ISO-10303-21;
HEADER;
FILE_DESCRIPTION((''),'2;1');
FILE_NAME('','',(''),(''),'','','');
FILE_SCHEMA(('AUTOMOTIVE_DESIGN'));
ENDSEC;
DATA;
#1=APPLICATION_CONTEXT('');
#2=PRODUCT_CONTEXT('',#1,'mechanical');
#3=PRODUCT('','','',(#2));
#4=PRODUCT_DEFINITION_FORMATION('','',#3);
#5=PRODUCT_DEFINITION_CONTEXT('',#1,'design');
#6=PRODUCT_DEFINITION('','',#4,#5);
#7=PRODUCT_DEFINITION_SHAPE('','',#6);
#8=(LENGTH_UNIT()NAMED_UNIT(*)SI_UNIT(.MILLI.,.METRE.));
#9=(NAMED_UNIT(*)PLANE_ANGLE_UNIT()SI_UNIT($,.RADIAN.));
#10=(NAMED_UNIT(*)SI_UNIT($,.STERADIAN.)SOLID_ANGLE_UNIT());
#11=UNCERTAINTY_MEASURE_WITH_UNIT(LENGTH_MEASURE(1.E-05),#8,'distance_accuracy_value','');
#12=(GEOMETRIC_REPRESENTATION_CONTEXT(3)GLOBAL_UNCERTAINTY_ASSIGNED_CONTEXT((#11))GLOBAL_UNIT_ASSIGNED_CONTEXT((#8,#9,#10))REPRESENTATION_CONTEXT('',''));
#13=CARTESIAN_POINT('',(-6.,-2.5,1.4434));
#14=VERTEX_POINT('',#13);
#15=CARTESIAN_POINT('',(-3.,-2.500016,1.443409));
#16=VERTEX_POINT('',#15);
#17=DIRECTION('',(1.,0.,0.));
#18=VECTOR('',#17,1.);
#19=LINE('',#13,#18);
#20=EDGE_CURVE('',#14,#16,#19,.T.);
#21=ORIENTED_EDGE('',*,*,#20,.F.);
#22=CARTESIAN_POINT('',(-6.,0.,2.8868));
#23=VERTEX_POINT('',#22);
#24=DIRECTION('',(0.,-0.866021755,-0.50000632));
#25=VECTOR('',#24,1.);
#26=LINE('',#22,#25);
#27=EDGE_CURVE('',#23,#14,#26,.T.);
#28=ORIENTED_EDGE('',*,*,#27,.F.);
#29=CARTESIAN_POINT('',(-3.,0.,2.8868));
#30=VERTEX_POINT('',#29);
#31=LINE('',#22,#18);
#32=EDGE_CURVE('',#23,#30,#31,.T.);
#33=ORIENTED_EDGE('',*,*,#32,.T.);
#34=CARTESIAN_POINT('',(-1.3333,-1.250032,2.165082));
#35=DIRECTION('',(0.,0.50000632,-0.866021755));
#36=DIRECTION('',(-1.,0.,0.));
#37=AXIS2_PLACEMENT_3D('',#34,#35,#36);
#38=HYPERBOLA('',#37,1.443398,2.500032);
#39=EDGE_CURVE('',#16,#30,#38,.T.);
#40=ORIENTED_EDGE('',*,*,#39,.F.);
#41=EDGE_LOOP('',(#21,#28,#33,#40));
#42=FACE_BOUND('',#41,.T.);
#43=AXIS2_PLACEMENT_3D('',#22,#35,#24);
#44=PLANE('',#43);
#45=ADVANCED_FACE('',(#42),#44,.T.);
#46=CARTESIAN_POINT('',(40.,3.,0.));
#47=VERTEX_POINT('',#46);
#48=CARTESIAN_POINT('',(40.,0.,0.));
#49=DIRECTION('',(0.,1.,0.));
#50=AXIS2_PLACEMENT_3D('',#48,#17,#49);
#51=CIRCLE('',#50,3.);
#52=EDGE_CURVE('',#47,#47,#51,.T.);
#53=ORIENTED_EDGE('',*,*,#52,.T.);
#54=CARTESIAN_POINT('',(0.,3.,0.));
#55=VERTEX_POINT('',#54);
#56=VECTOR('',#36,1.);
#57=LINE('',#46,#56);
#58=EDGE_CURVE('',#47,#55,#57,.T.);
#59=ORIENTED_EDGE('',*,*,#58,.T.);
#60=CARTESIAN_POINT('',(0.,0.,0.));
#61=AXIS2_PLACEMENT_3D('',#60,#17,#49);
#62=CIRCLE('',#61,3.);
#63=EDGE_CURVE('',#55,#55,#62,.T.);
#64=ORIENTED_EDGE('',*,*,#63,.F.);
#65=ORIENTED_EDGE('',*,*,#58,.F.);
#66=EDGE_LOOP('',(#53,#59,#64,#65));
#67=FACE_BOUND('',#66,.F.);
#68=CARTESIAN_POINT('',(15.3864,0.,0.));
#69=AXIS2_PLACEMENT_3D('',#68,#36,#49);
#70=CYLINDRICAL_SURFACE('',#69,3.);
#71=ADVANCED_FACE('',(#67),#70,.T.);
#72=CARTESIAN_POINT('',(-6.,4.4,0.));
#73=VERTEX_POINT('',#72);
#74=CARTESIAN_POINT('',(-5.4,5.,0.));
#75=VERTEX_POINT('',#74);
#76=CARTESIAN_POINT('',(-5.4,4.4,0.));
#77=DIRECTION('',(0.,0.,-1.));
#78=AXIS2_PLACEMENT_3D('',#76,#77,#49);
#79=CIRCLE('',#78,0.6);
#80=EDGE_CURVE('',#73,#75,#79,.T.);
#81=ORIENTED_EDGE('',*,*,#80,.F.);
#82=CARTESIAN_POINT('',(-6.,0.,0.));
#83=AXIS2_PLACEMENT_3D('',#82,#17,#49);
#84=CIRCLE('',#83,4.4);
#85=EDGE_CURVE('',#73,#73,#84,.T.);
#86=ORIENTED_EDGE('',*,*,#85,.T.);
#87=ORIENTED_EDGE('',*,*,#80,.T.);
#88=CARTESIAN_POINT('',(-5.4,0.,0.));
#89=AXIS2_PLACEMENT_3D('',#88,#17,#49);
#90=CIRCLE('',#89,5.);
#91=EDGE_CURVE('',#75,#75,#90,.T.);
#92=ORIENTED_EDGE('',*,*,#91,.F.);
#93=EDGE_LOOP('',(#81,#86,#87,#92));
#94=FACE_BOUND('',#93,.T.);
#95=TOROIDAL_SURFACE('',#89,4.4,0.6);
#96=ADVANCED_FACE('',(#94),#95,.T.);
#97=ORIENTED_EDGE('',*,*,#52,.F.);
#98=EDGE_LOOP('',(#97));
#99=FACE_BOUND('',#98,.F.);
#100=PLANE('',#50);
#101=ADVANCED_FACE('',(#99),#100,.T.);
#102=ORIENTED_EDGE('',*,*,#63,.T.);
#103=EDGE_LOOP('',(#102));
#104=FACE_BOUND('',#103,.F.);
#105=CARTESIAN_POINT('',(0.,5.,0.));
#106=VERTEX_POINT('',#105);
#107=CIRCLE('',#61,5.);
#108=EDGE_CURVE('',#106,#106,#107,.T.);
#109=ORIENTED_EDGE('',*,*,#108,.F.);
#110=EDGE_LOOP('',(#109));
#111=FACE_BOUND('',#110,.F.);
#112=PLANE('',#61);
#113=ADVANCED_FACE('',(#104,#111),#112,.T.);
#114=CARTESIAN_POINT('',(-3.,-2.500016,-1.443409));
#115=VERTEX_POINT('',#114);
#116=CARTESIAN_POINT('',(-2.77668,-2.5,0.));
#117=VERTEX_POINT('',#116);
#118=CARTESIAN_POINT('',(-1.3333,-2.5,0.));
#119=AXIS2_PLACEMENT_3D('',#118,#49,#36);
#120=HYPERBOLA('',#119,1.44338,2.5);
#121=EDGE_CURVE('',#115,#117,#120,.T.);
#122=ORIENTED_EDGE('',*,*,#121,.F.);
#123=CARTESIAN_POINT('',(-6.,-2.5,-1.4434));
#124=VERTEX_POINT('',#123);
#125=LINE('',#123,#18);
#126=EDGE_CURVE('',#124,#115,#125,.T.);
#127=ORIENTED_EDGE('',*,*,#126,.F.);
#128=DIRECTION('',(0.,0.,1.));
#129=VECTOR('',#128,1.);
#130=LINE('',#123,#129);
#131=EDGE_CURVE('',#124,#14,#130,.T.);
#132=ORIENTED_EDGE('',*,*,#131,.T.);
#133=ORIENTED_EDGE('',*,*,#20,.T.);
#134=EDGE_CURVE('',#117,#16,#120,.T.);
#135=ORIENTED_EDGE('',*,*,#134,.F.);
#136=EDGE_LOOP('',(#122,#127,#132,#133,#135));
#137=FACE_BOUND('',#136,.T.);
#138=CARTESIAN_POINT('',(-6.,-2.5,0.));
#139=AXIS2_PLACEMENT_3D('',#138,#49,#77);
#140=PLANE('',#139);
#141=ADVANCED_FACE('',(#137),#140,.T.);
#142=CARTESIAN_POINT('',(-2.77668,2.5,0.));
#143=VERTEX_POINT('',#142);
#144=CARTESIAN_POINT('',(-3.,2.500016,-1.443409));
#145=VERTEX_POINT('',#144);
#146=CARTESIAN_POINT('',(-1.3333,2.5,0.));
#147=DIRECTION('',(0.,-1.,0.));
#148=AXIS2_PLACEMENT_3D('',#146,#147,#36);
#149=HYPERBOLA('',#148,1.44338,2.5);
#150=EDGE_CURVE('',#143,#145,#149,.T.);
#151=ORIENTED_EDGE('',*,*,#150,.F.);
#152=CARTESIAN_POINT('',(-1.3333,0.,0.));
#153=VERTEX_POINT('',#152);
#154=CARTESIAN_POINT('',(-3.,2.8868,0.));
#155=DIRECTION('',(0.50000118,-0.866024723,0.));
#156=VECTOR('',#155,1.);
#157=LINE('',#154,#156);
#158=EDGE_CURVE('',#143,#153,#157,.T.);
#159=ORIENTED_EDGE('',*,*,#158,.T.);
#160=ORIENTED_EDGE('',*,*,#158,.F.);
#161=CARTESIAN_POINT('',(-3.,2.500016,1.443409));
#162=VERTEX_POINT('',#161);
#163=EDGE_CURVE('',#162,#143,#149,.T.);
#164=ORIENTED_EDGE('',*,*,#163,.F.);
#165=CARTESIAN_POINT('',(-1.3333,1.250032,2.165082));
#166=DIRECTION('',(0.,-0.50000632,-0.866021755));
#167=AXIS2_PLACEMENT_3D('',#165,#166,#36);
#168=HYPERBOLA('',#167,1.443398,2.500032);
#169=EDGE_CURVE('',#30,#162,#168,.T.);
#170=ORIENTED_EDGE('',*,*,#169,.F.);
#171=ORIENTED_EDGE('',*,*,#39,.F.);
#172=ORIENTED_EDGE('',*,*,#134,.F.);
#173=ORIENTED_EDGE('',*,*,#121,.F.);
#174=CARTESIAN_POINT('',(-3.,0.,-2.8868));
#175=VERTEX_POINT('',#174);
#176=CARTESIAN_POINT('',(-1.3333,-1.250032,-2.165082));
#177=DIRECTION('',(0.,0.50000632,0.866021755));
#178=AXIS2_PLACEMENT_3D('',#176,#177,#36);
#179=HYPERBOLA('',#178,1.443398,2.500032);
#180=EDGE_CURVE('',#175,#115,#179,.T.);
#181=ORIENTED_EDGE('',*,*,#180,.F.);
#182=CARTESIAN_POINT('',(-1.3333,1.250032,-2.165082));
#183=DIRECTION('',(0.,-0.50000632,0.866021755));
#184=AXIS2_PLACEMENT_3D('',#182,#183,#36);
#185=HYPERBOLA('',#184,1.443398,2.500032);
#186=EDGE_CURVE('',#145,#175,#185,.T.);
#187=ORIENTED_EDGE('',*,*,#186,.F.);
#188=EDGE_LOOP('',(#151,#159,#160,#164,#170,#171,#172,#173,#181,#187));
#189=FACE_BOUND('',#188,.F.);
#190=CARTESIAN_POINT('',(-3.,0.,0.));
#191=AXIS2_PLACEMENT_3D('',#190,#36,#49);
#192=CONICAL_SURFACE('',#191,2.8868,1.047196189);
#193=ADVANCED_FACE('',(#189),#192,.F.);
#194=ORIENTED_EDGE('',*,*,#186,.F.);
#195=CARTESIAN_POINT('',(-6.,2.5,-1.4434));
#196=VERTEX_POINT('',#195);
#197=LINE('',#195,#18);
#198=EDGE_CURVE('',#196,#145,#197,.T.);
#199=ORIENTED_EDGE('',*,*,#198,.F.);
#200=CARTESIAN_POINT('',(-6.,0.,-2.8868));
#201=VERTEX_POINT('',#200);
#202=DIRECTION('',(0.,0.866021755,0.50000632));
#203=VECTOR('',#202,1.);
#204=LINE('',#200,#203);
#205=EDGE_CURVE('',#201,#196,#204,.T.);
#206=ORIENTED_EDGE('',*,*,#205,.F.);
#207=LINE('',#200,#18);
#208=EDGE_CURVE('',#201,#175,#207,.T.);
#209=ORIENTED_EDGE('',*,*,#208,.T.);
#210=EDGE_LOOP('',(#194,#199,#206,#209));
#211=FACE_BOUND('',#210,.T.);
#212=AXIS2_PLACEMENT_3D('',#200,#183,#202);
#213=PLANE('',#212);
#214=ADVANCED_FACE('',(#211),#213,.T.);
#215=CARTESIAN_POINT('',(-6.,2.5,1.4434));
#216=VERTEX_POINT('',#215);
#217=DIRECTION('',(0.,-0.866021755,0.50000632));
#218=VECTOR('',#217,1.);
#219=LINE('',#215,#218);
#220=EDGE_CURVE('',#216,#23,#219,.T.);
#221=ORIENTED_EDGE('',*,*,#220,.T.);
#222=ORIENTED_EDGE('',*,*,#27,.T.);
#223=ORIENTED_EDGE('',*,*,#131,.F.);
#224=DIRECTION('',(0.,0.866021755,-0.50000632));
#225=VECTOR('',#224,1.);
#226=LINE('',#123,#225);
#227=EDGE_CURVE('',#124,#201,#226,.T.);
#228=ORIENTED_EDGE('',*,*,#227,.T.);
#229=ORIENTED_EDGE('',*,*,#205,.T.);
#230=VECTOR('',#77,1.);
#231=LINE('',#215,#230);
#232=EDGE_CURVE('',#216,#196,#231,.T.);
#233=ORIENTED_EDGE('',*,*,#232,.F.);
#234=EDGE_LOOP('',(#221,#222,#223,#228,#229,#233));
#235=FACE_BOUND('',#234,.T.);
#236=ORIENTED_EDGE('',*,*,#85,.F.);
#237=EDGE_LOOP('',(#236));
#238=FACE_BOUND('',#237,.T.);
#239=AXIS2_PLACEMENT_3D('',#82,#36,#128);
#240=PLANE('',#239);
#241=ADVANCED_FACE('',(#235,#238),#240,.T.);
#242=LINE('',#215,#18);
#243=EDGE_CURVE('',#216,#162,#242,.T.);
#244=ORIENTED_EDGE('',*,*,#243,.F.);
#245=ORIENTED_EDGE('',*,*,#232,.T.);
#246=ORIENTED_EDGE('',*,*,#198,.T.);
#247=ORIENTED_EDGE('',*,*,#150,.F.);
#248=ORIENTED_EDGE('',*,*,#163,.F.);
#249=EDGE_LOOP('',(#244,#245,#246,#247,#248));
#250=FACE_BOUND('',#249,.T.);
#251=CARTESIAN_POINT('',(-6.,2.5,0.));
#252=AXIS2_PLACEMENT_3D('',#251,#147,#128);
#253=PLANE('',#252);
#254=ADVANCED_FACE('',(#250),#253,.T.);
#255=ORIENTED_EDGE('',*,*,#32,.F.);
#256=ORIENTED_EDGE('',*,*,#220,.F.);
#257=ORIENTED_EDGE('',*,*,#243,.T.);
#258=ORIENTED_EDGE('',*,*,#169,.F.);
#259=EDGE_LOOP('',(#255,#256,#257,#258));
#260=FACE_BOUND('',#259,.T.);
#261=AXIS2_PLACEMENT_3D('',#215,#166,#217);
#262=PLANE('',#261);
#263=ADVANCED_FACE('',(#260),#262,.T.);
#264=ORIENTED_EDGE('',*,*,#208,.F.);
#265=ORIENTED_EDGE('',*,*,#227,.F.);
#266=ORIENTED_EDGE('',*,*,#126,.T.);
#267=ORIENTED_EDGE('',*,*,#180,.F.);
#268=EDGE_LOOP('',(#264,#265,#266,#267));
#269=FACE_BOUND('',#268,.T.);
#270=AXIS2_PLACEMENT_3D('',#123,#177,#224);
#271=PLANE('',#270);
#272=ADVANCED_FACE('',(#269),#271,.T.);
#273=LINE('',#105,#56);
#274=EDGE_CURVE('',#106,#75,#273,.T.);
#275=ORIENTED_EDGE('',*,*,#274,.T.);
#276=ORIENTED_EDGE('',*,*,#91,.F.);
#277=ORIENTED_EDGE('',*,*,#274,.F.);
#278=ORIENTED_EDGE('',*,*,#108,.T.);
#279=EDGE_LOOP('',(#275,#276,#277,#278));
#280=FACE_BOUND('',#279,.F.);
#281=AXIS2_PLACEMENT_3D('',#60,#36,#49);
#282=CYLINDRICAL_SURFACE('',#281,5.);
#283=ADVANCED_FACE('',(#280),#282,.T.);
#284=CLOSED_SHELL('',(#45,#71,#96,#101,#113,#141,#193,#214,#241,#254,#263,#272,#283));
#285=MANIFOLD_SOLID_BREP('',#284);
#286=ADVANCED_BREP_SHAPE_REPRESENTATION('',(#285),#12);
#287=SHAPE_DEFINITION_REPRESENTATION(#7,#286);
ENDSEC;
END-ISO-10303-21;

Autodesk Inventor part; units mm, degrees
ref_plane "YZ Plane" through (0, 0, 0) normal (1, 0, 0) x (0, 1, 0)
ref_plane "XZ Plane" through (0, 0, 0) normal (0, 1, 0) x (-1, 0, 0)
ref_plane "XY Plane" through (0, 0, 0) normal (0, 0, 1) x (1, 0, 0)
sketch "Sketch1" plane through (0, 0, 0) normal (0, 0, 1) x (1, 0, 0)
  line L0 (-1.3333, 0) -> (40, 0)
  line L1 (40, 0) -> (40, 3)
  line L2 (40, 3) -> (16, 3)
  line L3 (16, 3) -> (15.3864, 3)
  line L4 (15.3864, 3) -> (0, 3)
  line L5 (0, 3) -> (0, 5)
  line L6 (0, 5) -> (-6, 5)
  line L7 (-6, 5) -> (-6, 2.8868)
  line L8 (-6, 2.8868) -> (-3, 2.8868)
  line L9 (-3, 2.8868) -> (-1.3333, 0)
  line L10 (-15.2, 0) -> (49.2, 0) projected
  line L11 (0, -1) -> (0, 6) projected
  line L12 (16, 3) -> (0, 3) construction
  dimension "d1" = 24
  dimension "d2" = 0.6136
  dimension "d3" = 6
  dimension "d4" = 3
  dimension "d5" = 60
  dimension "d6" = 6
  dimension "d7" = 6
  dimension "d8" = 5.7735
  dimension "d9" = 10
  dimension "d26" = 40
revolve "Body" add sketch "Sketch1" angle 360 about axis through (-1.3333, 0, 0) along (1, 0, 0)
sketch "Sketch2" plane through (-6, 0, 0) normal (-1, 0, 0) x (0, 0, 1)
  circle A0 centre (0, 0) radius 2.8868 projected
  line L0 (0, -7) -> (0, 7) projected
  line L1 (-7, 0) -> (7, 0) projected
  line L2 (2.8868, 0) -> (1.4434, -2.5)
  line L3 (1.4434, -2.5) -> (-1.4434, -2.5)
  line L4 (-1.4434, -2.5) -> (-2.8868, 0)
  line L5 (-2.8868, 0) -> (-1.4434, 2.5)
  line L6 (-1.4434, 2.5) -> (1.4434, 2.5)
  line L7 (1.4434, 2.5) -> (2.8868, 0)
extrude "Slot" add sketch "Sketch2" against normal up to next contours L7 A0 | A0 L2 | L6 L0 A0 | A0 L0 L3 | L0 L6 A0 | A0 L3 L0 | L4 A0 | A0 L5
fillet "Fillet1" radius 0.6 1 edges at (-6, -5, 0)
thread "Thread" size "M6x1" class "6g" standard "ISO Metric profile" length 24
equation "\"d1\" = GEL"
equation "\"d3\" = KOH"
equation "\"d4\" = INTI"
equation "\"d6\" = GD"
equation "\"d7\" = BDM"
equation "\"d8\" = 1.1547 * SW"
equation "\"d9\" = KOD"
equation "\"d26\" = NLG"
equation "\"d17\" = RR"
equation "\"d13\" = GEL"
equation "\"GD\" = 6"
equation "\"NLG\" = 40"
equation "\"GEL\" = 24"
equation "\"KOD\" = 10"
equation "\"KOH\" = 6"
equation "\"INTI\" = 3"
equation "\"GAL\" = 0.61345 * PTC"
equation "\"GUL\" = 0.61345 * PTC"
equation "\"BDM\" = NND"
equation "\"SW\" = 5"
equation "\"RR\" = 0.6"
equation "\"SPD\" = NND - 1.2269 * PTC"
equation "\"R\" = 0.1"
equation "\"TOA\" = 30deg"
equation "\"GD1\" = THREADDIA - 1.2269 * PTC"
equation "\"THREADDIA\" = 6"
equation "\"FAWI\" = 45deg"
equation "\"PTC\" = 1"
equation "\"NND\" = 6"
equation "\"E0\" = 1.155 * SW"
equation "\"d38\" = 55deg"
equation "\"Sketch4_Pitch\" = 1"
properties part number "ISO 4762 - M6 x 40" material "Stainless Steel, 440C"
